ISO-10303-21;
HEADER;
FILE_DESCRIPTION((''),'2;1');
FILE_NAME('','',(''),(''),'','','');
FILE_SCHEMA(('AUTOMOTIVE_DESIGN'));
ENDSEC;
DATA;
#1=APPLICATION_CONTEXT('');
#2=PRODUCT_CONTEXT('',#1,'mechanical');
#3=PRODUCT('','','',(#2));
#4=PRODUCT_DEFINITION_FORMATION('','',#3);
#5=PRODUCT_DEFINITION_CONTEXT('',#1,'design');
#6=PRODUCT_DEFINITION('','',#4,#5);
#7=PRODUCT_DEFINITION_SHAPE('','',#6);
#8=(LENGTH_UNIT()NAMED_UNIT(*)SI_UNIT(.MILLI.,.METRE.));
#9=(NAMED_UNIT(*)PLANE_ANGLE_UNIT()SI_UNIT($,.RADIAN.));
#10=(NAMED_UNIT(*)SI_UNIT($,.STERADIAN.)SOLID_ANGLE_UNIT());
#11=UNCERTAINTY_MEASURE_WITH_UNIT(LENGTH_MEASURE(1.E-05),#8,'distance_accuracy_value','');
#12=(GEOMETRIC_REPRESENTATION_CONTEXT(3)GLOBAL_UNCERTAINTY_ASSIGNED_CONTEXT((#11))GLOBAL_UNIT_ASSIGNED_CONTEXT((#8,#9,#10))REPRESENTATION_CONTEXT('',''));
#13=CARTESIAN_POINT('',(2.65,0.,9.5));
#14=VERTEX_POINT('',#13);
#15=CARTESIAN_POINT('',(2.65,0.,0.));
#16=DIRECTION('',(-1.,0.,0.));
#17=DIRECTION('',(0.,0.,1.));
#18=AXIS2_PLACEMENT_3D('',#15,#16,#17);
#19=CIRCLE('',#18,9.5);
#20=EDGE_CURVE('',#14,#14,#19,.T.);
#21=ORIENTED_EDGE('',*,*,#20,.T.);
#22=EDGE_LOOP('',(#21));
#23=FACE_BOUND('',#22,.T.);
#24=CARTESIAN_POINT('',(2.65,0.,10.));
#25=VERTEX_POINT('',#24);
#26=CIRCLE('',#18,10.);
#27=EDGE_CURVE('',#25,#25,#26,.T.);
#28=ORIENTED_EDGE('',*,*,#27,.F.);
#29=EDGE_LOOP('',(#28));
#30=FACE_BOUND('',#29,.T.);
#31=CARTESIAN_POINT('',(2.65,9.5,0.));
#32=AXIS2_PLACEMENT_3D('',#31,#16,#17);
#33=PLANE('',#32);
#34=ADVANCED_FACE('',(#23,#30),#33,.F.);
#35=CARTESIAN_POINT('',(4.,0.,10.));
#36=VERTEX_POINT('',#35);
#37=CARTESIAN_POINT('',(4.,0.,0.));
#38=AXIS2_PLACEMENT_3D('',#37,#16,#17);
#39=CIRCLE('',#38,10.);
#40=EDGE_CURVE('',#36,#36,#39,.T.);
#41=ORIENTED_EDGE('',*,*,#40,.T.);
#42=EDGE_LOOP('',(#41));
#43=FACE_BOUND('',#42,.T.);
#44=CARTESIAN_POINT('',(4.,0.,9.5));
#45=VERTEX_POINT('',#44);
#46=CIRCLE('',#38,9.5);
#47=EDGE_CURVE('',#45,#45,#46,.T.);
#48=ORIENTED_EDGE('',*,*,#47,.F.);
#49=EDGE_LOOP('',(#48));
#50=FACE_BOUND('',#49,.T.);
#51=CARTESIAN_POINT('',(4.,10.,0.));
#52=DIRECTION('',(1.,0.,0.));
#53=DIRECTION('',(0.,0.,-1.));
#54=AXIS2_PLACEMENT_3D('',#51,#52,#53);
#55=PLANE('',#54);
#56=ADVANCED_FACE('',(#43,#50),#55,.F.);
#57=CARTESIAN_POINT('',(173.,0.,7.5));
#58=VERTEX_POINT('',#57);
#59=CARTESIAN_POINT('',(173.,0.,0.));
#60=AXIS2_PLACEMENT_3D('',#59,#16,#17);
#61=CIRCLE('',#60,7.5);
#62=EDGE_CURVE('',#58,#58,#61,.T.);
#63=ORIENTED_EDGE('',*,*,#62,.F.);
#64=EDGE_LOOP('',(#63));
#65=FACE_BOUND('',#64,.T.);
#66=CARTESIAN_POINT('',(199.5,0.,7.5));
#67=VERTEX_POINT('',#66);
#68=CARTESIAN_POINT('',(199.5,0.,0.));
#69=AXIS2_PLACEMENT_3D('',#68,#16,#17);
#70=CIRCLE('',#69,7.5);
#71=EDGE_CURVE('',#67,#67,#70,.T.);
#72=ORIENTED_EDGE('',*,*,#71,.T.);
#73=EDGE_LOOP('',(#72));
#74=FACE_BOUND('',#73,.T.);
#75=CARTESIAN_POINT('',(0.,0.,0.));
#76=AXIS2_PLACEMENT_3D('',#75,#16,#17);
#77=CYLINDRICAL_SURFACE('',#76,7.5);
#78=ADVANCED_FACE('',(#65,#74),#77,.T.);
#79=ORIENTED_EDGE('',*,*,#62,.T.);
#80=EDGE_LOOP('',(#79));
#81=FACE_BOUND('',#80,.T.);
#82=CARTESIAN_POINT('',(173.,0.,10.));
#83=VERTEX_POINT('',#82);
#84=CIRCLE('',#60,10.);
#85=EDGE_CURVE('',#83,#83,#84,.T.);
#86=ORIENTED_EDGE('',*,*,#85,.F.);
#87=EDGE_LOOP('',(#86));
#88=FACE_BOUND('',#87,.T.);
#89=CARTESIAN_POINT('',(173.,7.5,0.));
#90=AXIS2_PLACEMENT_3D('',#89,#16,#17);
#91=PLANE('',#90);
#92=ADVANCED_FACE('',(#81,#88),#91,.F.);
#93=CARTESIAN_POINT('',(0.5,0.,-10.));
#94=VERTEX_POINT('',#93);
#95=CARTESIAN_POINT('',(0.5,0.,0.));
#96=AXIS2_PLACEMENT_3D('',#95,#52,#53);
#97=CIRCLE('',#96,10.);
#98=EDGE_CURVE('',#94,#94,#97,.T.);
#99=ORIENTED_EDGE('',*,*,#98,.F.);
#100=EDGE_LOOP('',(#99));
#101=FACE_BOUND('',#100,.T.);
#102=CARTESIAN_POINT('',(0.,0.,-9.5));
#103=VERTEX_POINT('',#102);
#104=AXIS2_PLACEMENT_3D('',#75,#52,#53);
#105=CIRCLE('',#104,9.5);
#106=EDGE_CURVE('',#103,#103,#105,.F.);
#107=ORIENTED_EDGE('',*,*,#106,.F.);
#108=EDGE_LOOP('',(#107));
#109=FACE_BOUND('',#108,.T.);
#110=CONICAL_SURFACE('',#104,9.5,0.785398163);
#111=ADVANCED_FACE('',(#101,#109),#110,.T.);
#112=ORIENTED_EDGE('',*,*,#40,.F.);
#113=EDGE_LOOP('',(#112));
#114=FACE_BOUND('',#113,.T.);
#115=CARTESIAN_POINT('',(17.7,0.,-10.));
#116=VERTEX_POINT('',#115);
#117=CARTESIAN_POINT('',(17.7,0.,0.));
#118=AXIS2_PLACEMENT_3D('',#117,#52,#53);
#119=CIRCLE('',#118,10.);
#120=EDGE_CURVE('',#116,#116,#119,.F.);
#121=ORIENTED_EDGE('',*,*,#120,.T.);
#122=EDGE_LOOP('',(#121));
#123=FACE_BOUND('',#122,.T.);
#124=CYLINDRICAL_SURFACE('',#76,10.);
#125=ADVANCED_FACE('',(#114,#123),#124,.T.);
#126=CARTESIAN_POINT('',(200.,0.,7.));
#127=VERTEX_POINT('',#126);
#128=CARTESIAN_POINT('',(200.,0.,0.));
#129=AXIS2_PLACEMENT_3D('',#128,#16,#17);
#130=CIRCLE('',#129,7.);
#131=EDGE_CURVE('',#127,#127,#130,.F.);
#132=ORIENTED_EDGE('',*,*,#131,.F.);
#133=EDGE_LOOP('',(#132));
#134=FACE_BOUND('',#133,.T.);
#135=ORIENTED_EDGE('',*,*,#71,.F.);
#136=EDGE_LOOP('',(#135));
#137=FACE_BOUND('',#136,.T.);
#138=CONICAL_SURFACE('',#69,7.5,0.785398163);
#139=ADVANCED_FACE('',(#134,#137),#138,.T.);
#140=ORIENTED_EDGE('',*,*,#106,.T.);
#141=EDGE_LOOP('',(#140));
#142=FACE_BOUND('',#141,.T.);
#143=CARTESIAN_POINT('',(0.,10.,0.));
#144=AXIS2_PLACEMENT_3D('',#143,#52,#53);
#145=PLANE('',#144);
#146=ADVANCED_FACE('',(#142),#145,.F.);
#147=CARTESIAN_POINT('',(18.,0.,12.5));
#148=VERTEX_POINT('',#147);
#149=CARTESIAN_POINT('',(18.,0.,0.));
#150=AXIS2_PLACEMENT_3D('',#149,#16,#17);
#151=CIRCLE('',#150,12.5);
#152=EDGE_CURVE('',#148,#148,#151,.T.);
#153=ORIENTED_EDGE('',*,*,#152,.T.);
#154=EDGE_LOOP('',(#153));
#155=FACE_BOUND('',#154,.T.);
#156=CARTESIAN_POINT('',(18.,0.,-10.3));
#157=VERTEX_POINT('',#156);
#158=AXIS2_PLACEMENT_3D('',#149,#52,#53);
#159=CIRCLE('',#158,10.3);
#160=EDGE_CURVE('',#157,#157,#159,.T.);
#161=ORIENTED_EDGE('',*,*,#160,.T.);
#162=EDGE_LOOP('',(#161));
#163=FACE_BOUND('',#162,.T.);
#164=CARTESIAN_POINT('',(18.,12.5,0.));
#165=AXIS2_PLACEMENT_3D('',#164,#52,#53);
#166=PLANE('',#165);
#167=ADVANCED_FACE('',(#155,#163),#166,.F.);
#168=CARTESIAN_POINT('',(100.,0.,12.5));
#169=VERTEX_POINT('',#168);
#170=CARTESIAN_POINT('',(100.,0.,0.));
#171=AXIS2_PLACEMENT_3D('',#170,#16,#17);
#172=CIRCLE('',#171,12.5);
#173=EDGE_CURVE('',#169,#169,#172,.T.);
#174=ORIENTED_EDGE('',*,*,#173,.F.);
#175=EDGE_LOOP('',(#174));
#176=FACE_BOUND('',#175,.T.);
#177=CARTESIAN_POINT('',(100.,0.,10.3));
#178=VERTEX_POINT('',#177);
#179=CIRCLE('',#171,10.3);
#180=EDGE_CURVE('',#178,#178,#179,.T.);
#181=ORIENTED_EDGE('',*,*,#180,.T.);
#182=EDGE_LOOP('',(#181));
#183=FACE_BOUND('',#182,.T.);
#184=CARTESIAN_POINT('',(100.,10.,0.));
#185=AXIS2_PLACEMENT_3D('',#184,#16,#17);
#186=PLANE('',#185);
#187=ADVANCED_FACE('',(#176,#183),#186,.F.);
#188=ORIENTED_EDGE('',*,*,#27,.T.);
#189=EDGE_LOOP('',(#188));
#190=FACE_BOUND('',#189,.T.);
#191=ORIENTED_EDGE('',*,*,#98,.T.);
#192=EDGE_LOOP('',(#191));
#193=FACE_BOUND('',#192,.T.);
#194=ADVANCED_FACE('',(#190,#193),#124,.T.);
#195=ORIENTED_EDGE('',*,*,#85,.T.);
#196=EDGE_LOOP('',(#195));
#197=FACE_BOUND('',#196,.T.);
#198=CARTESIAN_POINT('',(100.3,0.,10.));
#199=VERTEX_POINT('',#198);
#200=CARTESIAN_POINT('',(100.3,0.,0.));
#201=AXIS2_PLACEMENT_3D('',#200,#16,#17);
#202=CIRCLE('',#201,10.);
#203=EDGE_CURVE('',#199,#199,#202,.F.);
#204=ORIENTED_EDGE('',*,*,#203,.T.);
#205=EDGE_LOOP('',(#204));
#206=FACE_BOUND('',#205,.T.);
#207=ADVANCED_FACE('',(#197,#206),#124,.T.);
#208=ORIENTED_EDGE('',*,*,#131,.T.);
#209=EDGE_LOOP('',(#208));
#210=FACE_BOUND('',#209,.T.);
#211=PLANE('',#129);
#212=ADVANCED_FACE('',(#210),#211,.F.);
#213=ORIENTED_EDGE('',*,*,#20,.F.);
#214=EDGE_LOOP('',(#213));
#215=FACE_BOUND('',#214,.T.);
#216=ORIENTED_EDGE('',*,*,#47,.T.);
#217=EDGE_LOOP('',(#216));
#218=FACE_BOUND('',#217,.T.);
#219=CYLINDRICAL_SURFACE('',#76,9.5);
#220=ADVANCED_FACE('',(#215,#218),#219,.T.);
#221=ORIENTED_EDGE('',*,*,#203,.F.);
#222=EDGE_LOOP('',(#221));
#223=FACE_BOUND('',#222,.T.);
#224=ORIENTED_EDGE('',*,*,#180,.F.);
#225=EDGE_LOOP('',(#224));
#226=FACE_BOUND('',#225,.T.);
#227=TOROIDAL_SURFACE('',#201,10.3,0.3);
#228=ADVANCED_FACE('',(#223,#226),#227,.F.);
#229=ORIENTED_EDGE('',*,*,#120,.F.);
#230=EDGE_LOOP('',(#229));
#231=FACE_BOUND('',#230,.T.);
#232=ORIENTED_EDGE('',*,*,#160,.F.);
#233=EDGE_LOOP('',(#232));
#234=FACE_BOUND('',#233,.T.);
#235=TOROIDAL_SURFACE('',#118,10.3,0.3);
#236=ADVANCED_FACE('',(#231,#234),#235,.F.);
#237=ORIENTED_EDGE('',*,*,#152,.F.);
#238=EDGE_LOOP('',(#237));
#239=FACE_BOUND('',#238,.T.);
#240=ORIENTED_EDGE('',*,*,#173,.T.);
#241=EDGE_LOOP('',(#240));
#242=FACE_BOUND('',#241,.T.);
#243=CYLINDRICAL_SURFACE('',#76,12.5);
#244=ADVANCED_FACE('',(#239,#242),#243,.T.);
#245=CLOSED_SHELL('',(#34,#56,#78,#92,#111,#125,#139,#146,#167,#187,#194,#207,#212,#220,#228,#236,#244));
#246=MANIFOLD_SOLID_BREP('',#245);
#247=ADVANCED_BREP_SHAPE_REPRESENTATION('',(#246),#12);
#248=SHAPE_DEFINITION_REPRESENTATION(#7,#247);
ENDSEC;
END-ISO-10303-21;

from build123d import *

# Parameters (mm, degrees)
FILLET1_R     = 0.3
CHAMFER1_SIZE = 0.5


with BuildPart() as part:
    # Sketch1 → Revolve1 (revolve)
    with BuildSketch(Plane.XY):
        Polygon((0, 0), (200, 0), (200, 7.5), (173, 7.5), (173, 10), (100, 10), (100, 12.5), (18, 12.5), (18, 10), (4, 10), (4, 9.5), (2.65, 9.5), (2.65, 10), (0, 10), align=None)
    revolve(axis=Axis((0, 0, 0), (1, 0, 0)))

    # Fillet1
    fillet1_edges = [part.edges().sort_by_distance(p)[0] for p in [
        (100, -10, 0),
        (18, -10, 0),
    ]]
    fillet(fillet1_edges, radius=FILLET1_R)

    # Chamfer1
    chamfer1_edges = [part.edges().sort_by_distance(p)[0] for p in [
        (0, -10, 0),
        (200, -7.5, 0),
    ]]
    chamfer(chamfer1_edges, length=CHAMFER1_SIZE)


solid = part.part
